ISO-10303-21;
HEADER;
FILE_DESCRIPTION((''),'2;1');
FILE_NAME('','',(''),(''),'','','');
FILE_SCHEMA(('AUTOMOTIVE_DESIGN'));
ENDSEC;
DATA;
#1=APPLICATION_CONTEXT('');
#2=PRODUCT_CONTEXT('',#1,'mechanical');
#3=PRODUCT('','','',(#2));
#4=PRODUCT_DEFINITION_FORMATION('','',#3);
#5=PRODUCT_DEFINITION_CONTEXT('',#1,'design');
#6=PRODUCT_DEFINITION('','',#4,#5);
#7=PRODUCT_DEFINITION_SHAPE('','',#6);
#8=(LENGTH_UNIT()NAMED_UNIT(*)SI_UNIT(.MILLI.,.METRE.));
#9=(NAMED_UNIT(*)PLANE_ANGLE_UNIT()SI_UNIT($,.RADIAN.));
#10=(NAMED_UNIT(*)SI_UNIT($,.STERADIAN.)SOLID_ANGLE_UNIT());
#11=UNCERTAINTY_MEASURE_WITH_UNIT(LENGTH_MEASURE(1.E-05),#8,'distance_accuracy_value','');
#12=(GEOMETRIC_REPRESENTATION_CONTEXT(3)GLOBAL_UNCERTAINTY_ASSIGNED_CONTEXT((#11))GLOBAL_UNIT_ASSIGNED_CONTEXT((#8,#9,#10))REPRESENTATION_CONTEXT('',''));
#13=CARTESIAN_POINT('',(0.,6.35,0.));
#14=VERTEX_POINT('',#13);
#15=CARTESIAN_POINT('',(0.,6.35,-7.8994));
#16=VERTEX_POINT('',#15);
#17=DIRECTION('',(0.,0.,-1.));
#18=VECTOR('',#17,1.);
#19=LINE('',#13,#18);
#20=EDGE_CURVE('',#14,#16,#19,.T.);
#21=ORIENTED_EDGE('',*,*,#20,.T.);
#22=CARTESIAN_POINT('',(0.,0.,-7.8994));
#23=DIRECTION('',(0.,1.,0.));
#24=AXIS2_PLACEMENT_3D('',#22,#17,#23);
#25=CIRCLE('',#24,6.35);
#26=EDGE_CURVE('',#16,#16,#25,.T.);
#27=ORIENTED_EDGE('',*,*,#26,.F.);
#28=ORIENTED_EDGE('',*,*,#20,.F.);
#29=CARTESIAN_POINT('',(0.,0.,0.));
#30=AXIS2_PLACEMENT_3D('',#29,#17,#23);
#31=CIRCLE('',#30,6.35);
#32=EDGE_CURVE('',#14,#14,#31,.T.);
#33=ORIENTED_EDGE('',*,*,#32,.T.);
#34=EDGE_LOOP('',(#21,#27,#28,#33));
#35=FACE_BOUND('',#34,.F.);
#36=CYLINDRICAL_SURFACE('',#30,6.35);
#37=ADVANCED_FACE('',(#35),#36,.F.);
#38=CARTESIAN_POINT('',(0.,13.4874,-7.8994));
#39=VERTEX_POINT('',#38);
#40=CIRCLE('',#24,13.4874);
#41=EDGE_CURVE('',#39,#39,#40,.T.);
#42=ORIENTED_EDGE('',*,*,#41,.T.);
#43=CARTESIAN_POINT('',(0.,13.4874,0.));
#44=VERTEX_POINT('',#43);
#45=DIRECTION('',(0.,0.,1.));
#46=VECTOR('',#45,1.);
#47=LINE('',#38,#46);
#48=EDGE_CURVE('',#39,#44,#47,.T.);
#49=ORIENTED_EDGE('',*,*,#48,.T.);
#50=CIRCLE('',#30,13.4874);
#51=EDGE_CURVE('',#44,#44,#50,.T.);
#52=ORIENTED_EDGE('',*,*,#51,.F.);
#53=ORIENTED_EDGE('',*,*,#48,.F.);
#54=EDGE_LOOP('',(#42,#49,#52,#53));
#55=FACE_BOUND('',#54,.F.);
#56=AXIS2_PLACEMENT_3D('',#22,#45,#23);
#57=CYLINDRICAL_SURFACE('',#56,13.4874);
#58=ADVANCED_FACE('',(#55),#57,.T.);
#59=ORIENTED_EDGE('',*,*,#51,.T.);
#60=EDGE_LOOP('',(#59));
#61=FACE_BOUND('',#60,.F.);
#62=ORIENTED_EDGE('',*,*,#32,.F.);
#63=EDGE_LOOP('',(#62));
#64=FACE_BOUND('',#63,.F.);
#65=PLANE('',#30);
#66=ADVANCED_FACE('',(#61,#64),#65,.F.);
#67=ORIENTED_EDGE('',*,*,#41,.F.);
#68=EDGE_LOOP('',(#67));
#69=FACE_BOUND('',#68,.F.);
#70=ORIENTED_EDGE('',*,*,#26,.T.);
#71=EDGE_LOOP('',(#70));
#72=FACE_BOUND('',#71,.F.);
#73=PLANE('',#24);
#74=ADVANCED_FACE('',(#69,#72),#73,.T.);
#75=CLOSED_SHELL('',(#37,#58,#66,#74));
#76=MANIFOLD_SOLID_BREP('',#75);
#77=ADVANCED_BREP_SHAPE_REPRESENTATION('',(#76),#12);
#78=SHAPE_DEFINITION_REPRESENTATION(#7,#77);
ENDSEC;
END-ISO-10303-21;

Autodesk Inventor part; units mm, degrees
sketch "Sketch_1" plane through (0, 0, 0) normal (1, 0, 0) x (0, 1, 0)
  line L0 (0, -7.8994) -> (0, 0)
  line L1 (6.35, 0) -> (6.35, -7.8994)
  line L2 (6.35, -7.8994) -> (13.4874, -7.8994)
  line L3 (13.4874, -7.8994) -> (13.4874, 0)
  line L4 (13.4874, 0) -> (6.35, 0)
revolve "Revolution1" add sketch "Sketch_1" angle 360 about axis through (0, 0, -7.8994) along (0, 0, -1)
ref_plane "part_to_rod_XY" through (0, 0, -3.9497) normal (0, 0, 1) x (1, 0, 0)
ref_plane "part_to_rod_YZ" through (0, 0, -3.9497) normal (1, 0, 0) x (0, 1, 0)
ref_plane "part_to_rod_ZX" through (0, 0, -3.9497) normal (0, 1, 0) x (0, 0, 1)
properties part number "1.06250.311-rod_part0"
